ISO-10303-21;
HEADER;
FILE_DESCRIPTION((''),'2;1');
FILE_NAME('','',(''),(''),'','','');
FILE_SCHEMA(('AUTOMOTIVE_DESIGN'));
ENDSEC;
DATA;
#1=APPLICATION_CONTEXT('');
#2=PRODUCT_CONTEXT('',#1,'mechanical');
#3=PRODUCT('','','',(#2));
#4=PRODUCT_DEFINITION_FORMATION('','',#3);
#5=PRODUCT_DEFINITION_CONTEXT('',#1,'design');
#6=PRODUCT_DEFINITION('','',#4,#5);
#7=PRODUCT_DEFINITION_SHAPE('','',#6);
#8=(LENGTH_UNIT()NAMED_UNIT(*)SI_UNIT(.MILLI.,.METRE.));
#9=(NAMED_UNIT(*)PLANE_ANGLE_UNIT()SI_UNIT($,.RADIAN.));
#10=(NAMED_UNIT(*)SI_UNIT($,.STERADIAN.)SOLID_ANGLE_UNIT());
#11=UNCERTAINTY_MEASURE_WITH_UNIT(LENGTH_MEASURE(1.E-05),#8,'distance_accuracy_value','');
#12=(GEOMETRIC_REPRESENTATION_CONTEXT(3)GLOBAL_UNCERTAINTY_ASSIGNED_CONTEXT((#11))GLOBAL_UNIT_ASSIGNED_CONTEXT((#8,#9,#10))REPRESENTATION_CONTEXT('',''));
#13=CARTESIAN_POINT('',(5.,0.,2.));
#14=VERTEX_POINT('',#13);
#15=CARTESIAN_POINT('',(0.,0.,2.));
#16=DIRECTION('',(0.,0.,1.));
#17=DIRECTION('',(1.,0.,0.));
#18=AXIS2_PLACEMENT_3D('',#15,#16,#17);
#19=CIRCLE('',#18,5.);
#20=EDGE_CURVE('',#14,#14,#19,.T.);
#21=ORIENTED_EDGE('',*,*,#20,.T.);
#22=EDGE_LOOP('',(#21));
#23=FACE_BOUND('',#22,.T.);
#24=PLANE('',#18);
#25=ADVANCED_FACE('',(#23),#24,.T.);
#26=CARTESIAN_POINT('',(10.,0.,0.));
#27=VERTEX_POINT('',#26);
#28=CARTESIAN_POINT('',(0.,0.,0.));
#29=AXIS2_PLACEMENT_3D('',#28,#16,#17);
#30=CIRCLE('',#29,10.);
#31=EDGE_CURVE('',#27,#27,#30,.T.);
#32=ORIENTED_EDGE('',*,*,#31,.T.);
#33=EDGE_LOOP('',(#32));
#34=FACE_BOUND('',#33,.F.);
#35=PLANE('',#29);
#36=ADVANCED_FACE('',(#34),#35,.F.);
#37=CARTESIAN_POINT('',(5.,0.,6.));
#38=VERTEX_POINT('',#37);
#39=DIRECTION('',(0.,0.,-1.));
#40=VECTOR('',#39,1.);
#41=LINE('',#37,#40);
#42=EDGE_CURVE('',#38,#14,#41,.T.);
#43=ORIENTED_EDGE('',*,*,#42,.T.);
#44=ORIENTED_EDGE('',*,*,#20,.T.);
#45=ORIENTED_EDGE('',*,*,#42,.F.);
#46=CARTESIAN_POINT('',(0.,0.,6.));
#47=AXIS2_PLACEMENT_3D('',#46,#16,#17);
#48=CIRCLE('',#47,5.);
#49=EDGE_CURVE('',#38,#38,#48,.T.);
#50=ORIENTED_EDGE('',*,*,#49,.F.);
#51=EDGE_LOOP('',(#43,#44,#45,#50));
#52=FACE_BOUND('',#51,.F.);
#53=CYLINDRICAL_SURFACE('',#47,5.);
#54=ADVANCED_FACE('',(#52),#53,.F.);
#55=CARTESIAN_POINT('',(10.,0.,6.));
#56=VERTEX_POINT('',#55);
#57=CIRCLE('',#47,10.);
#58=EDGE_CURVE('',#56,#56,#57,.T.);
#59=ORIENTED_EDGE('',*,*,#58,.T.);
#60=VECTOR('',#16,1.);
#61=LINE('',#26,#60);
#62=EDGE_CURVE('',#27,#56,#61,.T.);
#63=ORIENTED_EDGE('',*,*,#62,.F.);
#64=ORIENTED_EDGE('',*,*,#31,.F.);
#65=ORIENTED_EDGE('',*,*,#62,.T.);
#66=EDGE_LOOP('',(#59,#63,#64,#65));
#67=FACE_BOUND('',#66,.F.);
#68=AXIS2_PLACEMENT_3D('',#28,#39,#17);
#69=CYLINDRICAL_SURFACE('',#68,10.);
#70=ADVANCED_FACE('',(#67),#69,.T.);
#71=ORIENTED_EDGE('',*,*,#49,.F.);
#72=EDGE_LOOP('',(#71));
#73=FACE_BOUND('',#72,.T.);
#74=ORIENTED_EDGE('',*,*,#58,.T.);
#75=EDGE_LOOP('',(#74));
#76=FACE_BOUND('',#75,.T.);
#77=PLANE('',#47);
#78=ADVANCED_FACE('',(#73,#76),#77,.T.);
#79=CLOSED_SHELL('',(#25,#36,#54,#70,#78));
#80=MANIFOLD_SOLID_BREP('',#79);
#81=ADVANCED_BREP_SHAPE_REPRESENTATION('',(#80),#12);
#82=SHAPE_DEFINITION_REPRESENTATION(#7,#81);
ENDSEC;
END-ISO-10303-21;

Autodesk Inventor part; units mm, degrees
ref_plane "YZ Plane" through (0, 0, 0) normal (1, 0, 0) x (0, 1, 0)
ref_plane "XZ Plane" through (0, 0, 0) normal (0, 1, 0) x (-1, 0, 0)
ref_plane "XY Plane" through (0, 0, 0) normal (0, 0, 1) x (1, 0, 0)
sketch "Esboço1" plane through (0, 0, 0) normal (0, 0, 1) x (1, 0, 0)
  circle A0 centre (0, 0) radius 10
  dimension "d0" = 20
extrude "Extrusão1" add sketch "Esboço1" along normal blind 6
sketch "Esboço2" plane through (0, 0, 6) normal (0, 0, 1) x (1, 0, 0)
  circle A0 centre (0, 0) radius 5
  dimension "d3" = 10
extrude "Extrusão2" cut sketch "Esboço2" against normal blind 4
properties part number "tamp sup frontal"
